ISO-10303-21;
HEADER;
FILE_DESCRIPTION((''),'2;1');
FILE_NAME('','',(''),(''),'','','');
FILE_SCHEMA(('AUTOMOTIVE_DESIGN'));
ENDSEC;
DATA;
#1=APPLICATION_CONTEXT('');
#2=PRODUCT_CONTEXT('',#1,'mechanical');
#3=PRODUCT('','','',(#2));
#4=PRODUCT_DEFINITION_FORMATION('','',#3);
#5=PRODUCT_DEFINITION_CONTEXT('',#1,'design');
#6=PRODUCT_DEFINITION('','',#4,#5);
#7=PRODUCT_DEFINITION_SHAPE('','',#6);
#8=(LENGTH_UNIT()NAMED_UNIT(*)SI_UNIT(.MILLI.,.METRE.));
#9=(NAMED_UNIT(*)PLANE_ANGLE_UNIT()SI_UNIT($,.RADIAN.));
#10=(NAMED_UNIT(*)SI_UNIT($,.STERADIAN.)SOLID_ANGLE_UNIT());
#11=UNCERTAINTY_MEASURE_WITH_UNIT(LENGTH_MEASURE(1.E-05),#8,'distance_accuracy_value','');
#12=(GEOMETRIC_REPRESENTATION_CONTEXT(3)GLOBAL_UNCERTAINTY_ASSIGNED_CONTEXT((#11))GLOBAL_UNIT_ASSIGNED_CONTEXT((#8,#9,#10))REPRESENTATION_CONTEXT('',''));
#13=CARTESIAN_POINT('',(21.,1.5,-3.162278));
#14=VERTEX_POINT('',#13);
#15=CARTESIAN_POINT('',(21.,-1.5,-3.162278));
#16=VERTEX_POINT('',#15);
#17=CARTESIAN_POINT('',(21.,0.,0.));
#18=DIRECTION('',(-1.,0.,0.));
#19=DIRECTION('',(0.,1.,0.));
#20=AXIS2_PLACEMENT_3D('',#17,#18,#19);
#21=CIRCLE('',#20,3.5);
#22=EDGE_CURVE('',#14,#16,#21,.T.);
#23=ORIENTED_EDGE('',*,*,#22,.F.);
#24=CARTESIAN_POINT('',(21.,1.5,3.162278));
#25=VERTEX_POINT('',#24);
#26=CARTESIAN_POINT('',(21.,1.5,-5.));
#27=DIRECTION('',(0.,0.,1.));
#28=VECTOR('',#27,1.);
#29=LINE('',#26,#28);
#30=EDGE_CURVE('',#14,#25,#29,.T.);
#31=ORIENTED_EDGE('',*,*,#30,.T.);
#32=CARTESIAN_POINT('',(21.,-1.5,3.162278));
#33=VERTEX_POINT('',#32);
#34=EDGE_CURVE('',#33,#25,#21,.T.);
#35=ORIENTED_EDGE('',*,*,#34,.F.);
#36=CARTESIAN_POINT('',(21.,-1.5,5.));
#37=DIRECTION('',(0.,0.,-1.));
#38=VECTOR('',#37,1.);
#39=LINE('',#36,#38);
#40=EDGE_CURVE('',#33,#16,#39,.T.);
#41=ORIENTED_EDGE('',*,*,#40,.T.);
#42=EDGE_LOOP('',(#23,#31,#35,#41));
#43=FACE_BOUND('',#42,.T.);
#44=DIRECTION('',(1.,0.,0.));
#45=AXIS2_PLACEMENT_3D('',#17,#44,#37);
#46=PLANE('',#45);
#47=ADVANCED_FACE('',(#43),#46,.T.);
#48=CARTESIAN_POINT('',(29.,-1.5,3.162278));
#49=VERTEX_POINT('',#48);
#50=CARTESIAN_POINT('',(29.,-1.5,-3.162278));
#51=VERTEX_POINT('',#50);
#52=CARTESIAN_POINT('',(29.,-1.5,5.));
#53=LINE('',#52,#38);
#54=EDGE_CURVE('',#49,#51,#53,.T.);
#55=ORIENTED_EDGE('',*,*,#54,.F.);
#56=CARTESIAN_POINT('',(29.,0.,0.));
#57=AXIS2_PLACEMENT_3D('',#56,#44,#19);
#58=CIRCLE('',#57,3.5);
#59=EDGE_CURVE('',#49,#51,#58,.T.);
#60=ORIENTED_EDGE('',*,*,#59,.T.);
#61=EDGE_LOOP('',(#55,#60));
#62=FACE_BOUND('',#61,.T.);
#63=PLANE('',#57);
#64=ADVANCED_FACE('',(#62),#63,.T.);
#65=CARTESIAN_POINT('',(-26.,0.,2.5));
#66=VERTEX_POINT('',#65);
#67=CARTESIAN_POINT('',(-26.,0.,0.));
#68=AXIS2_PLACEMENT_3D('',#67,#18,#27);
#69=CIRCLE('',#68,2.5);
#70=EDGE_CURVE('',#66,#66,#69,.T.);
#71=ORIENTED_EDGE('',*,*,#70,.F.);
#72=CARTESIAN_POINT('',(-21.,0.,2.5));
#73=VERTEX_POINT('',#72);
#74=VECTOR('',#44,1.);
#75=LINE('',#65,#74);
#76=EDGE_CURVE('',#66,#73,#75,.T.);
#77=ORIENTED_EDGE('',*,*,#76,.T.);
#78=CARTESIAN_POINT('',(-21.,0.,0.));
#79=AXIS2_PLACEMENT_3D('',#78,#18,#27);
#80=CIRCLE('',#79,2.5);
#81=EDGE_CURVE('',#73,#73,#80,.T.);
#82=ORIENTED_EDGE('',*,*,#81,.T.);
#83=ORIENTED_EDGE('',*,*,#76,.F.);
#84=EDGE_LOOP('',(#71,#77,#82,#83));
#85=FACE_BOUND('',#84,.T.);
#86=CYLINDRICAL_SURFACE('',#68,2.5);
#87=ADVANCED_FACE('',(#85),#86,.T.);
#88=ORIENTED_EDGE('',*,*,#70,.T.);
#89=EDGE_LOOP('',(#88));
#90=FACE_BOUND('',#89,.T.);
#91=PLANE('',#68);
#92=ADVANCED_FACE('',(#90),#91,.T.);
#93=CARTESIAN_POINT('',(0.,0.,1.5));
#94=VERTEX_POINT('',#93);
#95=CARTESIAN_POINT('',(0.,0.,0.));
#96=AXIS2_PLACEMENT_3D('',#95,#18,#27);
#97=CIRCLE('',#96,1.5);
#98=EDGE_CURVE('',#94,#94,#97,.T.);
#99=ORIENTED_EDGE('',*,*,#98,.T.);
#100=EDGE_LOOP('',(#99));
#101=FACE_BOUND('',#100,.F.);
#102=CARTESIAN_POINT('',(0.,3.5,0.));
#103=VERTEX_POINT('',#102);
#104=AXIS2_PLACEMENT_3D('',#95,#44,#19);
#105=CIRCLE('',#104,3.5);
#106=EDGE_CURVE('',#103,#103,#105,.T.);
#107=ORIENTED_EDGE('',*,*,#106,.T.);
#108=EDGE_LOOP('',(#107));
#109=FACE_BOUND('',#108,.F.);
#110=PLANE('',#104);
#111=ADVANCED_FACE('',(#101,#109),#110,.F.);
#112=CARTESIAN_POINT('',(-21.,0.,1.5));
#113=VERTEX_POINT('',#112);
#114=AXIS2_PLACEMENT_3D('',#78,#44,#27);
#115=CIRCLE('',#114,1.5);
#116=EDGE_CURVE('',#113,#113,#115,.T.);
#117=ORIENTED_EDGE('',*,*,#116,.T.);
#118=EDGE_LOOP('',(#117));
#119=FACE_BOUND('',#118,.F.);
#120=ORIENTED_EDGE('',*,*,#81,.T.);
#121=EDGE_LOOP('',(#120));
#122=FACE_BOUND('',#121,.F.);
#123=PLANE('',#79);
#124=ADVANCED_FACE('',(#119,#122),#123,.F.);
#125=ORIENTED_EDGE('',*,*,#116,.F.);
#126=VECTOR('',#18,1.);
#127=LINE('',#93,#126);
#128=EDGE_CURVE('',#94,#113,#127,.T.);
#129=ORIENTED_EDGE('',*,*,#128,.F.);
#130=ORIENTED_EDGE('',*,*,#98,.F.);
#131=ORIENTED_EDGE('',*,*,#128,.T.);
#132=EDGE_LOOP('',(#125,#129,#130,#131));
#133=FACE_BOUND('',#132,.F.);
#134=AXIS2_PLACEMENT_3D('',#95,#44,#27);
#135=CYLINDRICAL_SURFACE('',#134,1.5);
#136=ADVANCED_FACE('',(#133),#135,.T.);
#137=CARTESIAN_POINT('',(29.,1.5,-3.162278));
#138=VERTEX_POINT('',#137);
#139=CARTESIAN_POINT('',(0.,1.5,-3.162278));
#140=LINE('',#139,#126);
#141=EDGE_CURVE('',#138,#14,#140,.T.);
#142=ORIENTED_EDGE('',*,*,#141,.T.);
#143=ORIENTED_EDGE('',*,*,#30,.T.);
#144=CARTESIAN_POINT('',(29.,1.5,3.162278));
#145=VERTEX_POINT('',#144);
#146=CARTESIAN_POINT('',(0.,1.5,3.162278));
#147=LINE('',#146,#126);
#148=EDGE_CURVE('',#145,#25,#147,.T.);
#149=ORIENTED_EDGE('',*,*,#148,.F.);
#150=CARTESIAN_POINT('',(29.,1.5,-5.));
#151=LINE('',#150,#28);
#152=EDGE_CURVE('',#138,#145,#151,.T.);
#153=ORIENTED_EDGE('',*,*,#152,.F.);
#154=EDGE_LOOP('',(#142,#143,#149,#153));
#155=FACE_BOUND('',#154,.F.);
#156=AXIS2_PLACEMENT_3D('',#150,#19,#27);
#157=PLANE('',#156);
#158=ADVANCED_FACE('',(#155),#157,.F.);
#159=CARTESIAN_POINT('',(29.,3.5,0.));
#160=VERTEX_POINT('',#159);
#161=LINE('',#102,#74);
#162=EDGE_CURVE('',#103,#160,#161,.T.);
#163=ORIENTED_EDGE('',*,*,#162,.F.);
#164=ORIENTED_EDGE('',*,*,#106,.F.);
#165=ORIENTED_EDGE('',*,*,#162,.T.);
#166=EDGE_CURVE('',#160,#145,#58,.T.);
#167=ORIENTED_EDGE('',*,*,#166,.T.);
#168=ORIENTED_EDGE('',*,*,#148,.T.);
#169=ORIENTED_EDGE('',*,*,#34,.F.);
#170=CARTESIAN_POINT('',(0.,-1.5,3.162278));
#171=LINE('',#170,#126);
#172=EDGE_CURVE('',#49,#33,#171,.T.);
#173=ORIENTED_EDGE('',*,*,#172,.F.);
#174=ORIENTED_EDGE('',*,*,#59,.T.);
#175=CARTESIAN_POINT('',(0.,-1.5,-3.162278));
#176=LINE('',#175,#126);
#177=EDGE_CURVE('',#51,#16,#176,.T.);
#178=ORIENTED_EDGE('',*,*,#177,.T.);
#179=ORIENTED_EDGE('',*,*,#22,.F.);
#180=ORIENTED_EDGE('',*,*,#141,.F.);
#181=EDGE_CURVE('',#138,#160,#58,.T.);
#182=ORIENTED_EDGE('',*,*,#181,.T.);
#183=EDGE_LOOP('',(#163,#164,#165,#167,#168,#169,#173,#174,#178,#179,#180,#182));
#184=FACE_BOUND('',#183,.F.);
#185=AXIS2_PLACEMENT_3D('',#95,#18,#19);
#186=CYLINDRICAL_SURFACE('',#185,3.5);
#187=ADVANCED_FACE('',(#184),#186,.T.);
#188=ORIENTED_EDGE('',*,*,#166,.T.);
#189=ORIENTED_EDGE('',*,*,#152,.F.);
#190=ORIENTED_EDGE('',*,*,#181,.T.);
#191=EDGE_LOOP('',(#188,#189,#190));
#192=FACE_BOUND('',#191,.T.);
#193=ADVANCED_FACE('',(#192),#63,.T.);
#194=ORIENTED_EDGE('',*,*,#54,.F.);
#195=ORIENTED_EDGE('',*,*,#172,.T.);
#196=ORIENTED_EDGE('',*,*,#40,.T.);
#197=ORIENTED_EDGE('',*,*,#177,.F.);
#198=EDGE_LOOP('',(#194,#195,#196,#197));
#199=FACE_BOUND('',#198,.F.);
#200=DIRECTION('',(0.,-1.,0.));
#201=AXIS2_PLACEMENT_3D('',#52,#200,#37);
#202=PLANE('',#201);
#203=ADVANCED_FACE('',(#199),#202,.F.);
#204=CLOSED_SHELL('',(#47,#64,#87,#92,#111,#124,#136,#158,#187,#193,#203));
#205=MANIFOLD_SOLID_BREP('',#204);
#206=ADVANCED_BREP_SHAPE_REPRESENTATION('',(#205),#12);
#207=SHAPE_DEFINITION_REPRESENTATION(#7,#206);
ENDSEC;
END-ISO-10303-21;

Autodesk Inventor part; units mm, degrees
ref_plane "YZ Plane" through (0, 0, 0) normal (1, 0, 0) x (0, 1, 0)
ref_plane "XZ Plane" through (0, 0, 0) normal (0, 1, 0) x (-1, 0, 0)
ref_plane "XY Plane" through (0, 0, 0) normal (0, 0, 1) x (1, 0, 0)
sketch "Sketch1" plane through (0, 0, 0) normal (1, 0, 0) x (0, 1, 0)
  circle A0 centre (0, 0) radius 3.5
  dimension "d0" = 7
extrude "Extrusion1" add sketch "Sketch1" along normal blind 29
sketch "Sketch2" plane through (29, 0, 0) normal (1, 0, 0) x (0, 0, -1)
  line L0 (-5, -1.5) -> (5, -1.5)
  line L1 (5, -1.5) -> (5, 1.5)
  line L2 (5, 1.5) -> (-5, 1.5)
  line L3 (-5, 1.5) -> (-5, -1.5)
  line L4 (-5, -1.5) -> (5, 1.5) construction
  line L5 (5, -1.5) -> (-5, 1.5) construction
  point P0 (0, 0)
  dimension "d3" = 10
  dimension "d4" = 3
extrude "Extrusion2" cut sketch "Sketch2" against normal blind 8
sketch "Sketch3" plane through (0, 0, 0) normal (-1, 0, 0) x (0, 0, 1)
  circle A0 centre (0, 0) radius 1.5
  dimension "d7" = 3
extrude "Extrusion3" add sketch "Sketch3" along normal blind 26
sketch "Sketch4" plane through (-26, 0, 0) normal (-1, 0, 0) x (0, 0, 1)
  circle A0 centre (0, 0) radius 2.5
  dimension "d10" = 5
extrude "Extrusion4" add sketch "Sketch4" against normal blind 5
properties part number "solenoid piston"
